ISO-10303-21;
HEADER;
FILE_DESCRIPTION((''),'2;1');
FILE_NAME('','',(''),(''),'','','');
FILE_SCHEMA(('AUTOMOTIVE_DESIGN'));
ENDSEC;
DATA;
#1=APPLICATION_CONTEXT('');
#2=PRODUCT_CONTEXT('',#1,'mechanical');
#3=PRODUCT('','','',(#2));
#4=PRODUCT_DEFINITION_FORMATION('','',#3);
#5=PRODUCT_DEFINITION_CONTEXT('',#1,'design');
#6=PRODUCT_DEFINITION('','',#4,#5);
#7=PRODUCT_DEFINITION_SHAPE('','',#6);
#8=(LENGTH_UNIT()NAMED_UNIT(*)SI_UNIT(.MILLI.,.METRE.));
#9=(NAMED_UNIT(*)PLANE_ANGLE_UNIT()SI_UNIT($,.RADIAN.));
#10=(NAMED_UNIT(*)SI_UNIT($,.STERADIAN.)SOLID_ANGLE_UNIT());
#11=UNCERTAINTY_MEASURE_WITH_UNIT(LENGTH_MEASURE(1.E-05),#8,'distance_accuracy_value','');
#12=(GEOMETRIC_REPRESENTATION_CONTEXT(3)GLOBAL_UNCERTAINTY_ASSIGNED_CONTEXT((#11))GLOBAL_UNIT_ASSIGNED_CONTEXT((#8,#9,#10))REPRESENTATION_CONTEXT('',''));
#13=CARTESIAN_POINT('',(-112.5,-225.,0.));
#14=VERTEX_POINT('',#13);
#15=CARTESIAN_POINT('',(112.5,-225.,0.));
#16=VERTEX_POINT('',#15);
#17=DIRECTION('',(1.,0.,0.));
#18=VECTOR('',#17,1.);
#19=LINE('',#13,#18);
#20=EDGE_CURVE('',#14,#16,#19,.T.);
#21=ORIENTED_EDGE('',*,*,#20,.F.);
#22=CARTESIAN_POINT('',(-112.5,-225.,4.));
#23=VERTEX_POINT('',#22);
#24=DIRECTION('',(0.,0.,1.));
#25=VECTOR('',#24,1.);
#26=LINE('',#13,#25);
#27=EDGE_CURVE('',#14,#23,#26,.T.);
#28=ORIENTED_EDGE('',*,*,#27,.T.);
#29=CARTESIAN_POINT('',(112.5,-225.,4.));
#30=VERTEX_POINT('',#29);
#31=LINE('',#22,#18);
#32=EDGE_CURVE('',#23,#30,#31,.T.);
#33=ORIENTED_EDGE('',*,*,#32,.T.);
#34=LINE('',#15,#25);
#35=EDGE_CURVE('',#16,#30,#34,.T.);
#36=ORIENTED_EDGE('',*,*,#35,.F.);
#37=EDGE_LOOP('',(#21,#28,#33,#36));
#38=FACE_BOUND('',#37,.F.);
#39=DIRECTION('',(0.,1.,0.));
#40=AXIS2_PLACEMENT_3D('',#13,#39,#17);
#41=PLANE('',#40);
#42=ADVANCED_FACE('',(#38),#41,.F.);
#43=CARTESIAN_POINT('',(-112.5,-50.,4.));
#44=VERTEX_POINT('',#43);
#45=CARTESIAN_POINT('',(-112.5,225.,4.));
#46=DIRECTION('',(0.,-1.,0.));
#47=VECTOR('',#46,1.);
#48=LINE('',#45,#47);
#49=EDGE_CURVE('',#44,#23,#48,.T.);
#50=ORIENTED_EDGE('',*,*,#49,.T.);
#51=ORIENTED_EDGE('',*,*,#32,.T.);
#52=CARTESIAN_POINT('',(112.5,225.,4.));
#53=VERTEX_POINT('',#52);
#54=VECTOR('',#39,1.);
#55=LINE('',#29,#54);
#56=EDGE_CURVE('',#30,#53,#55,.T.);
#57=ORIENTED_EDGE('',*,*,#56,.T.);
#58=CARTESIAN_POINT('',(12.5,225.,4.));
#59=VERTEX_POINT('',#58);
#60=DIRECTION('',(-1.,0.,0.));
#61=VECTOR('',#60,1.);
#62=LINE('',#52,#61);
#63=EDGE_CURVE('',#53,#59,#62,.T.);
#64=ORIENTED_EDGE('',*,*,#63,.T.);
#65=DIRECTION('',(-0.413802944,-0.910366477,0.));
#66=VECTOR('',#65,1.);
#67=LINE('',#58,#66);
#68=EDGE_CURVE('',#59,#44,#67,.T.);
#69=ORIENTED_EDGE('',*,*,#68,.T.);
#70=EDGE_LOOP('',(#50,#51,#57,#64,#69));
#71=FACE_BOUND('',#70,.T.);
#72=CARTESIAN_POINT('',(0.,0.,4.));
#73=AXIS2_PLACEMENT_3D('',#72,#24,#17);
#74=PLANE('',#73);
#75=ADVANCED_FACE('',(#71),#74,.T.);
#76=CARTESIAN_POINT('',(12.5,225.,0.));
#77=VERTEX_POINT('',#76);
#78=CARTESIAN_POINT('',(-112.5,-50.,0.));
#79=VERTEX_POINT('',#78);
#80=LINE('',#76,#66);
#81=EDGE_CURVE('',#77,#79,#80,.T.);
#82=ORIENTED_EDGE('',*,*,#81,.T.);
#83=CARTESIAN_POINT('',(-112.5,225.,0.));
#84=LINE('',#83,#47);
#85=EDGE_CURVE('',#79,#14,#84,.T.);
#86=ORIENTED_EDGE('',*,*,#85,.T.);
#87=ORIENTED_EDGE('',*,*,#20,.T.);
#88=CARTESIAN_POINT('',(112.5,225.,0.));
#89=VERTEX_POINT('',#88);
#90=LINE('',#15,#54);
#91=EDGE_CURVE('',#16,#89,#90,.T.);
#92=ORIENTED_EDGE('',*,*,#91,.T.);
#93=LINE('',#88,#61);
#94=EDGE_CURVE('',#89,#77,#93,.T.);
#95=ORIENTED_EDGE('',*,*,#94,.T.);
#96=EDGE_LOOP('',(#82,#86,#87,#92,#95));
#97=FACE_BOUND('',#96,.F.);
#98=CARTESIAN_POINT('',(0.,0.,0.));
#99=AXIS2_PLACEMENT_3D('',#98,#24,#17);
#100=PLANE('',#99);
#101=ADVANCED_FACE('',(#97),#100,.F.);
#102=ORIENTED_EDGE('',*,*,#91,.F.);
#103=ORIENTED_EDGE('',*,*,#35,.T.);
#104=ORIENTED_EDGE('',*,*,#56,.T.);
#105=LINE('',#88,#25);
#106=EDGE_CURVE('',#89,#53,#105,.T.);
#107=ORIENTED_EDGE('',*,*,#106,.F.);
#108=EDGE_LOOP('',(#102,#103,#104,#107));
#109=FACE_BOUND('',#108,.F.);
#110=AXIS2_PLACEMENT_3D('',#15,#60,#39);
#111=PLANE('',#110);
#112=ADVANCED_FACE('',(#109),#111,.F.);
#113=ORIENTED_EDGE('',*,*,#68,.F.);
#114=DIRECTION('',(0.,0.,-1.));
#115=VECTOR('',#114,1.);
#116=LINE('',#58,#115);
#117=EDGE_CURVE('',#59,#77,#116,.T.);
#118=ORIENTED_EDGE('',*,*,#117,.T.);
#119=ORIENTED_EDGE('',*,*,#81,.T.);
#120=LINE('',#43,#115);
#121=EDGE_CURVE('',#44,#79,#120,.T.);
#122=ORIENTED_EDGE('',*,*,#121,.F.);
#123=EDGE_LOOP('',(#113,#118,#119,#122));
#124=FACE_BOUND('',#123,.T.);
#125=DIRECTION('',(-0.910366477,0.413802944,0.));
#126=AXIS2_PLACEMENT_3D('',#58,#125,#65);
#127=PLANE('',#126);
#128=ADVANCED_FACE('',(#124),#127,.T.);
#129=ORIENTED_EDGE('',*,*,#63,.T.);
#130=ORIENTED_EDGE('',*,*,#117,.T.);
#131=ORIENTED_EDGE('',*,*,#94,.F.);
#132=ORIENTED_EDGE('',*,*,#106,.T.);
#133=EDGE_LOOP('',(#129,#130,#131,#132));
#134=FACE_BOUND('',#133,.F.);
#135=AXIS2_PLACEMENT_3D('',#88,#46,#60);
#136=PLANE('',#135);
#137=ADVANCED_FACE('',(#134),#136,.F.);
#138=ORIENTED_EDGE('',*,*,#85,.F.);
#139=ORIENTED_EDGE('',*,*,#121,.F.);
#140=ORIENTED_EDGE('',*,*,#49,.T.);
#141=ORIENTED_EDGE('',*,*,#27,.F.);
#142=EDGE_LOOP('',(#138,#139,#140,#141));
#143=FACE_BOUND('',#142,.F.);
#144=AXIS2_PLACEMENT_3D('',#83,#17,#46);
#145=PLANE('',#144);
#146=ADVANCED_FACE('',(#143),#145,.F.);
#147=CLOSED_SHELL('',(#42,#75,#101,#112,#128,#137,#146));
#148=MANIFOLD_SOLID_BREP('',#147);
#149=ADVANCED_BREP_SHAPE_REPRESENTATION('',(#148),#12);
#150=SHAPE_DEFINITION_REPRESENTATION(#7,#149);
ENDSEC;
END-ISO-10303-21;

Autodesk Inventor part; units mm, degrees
ref_plane "YZ Plane" through (0, 0, 0) normal (1, 0, 0) x (0, 1, 0)
ref_plane "XZ Plane" through (0, 0, 0) normal (0, 1, 0) x (-1, 0, 0)
ref_plane "XY Plane" through (0, 0, 0) normal (0, 0, 1) x (1, 0, 0)
sketch "Sketch1" plane through (0, 0, 0) normal (0, 0, 1) x (1, 0, 0)
  line L0 (-112.5, -225) -> (112.5, -225)
  line L1 (112.5, -225) -> (112.5, 225)
  line L2 (112.5, 225) -> (-112.5, 225)
  line L3 (-112.5, 225) -> (-112.5, -225)
  line L4 (-112.5, -225) -> (112.5, 225) construction
  line L5 (112.5, -225) -> (-112.5, 225) construction
  point P0 (0, 0)
  dimension "d0" = 225
  dimension "d1" = 450
extrude "Extrusion1" add sketch "Sketch1" along normal blind 4
sketch "Sketch2" plane through (0, 0, 4) normal (0, 0, 1) x (1, 0, 0)
  line L0 (-112.5, 225) -> (12.5, 225)
  line L1 (12.5, 225) -> (-112.5, -50)
  line L2 (-112.5, 225) -> (-112.5, -50)
  line L3 (112.5, -225) -> (112.5, 225) projected
  line L4 (112.5, -50) -> (112.5, 225)
  line L5 (112.5, 225) -> (62.5, 225)
  line L6 (-112.5, -225) -> (112.5, -225) projected
  line L7 (-112.5, -50) -> (-112.5, 225)
  line L8 (-112.5, 225) -> (12.5, 225)
  point P0 (0, 0)
  dimension "d8" = 175
extrude "Extrusion2" cut sketch "Sketch2" against normal blind 4
properties part number "SidePanel"
